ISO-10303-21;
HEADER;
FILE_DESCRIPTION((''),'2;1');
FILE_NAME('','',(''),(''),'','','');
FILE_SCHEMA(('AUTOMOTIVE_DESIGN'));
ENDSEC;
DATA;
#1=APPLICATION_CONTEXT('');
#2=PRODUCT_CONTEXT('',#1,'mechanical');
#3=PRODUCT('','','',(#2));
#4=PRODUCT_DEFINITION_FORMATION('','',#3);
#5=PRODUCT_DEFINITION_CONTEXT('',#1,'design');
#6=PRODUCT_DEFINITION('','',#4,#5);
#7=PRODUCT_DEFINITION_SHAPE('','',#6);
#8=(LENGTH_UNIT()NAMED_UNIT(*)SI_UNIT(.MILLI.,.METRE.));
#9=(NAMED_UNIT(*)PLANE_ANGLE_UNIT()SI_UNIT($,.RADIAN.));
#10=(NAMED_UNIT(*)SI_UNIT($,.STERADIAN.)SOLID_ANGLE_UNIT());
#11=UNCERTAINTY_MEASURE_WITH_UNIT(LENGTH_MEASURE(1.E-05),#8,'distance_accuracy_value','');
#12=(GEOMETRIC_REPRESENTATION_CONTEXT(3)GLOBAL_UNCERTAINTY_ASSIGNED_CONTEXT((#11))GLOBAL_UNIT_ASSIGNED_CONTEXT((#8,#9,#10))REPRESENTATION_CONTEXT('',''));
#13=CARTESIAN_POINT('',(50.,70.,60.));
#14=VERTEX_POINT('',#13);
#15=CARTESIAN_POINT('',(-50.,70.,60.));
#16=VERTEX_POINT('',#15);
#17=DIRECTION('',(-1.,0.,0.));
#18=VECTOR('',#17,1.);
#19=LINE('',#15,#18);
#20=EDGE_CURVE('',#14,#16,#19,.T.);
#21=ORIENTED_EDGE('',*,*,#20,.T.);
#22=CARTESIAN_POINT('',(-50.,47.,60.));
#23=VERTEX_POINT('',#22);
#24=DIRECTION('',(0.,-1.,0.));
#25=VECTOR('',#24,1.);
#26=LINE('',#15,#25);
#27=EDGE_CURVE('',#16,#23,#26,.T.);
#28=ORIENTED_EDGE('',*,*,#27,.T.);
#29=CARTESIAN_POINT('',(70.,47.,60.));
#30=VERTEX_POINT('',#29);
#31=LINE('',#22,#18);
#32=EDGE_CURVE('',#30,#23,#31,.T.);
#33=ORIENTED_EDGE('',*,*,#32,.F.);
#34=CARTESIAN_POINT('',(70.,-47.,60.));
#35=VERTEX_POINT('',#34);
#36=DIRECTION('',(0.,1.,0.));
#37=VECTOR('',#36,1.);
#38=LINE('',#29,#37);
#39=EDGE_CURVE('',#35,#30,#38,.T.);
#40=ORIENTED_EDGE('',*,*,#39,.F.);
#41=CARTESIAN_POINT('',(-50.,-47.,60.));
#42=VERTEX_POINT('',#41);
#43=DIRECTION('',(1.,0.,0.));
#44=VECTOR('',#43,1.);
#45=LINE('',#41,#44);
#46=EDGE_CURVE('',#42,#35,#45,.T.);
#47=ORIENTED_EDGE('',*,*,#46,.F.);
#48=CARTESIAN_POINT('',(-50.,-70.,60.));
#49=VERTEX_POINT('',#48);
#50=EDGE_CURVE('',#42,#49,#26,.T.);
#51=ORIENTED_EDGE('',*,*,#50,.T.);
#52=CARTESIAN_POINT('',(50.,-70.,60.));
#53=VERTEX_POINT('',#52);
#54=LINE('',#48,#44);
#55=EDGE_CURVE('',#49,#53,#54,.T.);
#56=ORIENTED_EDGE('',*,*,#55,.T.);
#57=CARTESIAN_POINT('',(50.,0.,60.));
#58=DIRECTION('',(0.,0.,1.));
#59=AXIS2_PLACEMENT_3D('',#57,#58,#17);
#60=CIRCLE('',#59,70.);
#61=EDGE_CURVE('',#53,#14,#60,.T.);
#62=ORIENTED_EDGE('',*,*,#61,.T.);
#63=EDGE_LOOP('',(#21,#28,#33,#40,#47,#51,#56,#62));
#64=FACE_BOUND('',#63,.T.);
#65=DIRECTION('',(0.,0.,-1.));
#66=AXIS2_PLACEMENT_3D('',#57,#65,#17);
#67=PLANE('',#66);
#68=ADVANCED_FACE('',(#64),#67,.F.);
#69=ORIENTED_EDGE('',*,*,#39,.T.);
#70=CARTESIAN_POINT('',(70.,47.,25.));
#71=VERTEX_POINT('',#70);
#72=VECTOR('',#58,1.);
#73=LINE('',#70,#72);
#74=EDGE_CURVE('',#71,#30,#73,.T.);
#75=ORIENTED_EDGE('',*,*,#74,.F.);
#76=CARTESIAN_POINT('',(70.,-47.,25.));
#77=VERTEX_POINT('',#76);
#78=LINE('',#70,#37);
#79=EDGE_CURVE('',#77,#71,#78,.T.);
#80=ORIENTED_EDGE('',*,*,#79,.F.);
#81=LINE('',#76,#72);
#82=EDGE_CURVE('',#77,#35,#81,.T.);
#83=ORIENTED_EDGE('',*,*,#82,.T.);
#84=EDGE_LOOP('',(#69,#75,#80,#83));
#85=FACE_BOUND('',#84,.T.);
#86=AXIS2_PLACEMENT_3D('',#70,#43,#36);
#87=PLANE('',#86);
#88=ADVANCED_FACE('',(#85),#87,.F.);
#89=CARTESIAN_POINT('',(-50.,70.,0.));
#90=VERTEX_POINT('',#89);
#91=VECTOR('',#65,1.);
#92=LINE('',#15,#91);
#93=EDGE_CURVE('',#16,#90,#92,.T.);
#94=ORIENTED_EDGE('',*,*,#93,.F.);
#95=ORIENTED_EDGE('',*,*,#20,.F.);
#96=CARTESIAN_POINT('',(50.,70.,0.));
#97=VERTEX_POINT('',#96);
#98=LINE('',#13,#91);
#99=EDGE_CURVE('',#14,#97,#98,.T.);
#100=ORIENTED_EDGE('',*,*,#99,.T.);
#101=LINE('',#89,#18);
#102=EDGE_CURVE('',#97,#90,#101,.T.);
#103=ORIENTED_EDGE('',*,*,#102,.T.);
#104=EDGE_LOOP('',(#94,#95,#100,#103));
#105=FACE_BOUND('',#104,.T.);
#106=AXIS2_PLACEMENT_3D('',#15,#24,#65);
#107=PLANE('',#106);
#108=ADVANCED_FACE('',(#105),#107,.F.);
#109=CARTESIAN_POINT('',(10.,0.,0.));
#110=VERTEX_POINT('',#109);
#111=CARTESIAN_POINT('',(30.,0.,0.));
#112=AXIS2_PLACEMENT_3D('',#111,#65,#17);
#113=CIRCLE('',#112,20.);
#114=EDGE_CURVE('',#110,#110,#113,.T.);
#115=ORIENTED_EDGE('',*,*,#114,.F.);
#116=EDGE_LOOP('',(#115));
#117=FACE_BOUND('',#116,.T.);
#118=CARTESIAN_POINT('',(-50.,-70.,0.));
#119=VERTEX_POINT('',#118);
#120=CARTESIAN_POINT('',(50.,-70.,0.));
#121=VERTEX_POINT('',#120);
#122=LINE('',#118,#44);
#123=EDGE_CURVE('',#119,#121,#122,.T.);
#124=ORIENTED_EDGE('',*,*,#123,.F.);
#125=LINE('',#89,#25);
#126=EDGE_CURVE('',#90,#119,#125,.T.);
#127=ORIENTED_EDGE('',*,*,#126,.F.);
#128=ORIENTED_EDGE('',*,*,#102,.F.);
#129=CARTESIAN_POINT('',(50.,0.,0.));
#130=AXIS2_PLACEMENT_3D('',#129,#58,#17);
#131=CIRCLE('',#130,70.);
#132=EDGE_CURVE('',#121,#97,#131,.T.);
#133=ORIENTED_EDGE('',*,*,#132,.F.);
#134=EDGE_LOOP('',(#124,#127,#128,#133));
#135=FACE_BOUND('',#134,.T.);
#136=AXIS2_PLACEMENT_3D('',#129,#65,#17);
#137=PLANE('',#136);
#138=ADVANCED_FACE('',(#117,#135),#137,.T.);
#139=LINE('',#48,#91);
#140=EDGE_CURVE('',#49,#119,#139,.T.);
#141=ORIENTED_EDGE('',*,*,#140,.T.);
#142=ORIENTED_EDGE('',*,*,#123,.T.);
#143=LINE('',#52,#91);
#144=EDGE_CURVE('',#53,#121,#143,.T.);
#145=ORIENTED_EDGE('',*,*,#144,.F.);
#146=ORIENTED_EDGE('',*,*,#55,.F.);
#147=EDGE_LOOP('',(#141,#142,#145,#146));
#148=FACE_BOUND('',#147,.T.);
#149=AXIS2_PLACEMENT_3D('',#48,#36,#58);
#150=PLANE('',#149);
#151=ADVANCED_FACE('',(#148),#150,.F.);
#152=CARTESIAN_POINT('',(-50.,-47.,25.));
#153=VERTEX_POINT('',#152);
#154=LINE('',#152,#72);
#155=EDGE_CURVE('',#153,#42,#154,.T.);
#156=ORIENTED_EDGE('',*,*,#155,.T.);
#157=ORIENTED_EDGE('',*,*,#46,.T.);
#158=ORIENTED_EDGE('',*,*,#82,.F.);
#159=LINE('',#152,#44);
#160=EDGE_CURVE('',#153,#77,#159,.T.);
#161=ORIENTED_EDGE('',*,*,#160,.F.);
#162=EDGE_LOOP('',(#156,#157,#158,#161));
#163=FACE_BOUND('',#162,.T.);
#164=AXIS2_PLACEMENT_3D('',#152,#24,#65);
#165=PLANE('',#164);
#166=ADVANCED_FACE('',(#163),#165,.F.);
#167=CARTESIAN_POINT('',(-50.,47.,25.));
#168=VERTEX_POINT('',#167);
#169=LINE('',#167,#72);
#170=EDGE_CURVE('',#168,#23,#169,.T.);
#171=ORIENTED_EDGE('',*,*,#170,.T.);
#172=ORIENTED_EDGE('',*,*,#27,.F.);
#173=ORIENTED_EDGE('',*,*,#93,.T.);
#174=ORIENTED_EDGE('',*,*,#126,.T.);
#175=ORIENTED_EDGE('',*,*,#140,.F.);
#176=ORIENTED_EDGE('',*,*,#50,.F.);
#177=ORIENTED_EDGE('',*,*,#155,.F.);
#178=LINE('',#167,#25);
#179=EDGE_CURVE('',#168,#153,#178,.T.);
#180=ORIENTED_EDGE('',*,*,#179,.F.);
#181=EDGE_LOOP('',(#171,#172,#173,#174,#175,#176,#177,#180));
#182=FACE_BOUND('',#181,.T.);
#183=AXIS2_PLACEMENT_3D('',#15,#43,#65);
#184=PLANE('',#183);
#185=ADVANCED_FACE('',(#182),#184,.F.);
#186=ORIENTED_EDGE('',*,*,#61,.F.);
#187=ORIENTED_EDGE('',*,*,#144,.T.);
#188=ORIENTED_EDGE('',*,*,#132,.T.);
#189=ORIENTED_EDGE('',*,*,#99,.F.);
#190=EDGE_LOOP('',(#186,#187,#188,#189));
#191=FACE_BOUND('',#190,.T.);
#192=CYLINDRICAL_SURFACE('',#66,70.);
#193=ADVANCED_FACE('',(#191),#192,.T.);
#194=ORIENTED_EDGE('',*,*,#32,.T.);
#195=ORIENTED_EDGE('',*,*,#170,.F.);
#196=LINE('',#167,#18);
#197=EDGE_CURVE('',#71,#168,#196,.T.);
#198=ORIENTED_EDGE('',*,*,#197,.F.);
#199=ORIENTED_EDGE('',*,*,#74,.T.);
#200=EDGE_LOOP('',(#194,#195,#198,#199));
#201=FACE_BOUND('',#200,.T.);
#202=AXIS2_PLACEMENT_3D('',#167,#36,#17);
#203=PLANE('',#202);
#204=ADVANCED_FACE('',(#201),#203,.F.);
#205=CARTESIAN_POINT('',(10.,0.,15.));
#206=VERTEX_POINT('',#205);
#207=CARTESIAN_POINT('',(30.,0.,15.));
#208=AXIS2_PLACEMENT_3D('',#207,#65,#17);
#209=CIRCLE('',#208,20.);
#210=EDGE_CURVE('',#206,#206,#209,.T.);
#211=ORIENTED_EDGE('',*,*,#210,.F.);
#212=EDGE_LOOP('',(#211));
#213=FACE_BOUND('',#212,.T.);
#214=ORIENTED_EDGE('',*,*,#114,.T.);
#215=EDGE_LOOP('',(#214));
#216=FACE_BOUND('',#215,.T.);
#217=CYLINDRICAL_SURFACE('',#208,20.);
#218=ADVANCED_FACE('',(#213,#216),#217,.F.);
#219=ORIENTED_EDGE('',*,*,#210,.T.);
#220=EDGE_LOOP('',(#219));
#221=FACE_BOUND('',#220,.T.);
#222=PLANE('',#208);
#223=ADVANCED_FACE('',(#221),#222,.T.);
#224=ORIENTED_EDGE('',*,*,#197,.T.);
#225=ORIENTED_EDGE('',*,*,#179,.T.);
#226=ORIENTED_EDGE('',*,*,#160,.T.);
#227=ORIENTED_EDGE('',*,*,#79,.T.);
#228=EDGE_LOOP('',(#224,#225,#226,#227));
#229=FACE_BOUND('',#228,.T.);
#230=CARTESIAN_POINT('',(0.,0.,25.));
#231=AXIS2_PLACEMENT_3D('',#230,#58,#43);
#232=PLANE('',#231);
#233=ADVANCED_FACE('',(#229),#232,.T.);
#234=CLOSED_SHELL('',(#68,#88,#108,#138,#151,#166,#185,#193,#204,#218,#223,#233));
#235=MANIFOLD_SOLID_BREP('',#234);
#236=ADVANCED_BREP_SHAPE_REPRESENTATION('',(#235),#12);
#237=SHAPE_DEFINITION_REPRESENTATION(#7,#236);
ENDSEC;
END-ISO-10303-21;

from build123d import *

# Parameters (mm, degrees)
EXTRUDE_1_DEPTH     = 60
SKETCH_2_W          = 120
SKETCH_2_H          = 94
CUT_EXTRUDE_1_DEPTH = 35
SKETCH_3_R          = 20
CUT_EXTRUDE_2_DEPTH = 15


with BuildPart() as part:
    # ｽｹｯﾁ1 → ﾎﾞｽ - 押し出し1 (new body)
    with BuildSketch(Plane.XY):
        with BuildLine():
            Line((-50, 70), (50, 70))
            ThreePointArc((50, 70), (120, 0), (50, -70))
            Line((50, -70), (-50, -70))
            Line((-50, -70), (-50, 70))
        make_face()
    extrude(amount=EXTRUDE_1_DEPTH)

    # ｽｹｯﾁ2 → ｶｯﾄ - 押し出し1 (cut)
    with BuildSketch(Plane.XY.offset(60)):
        with Locations((10, 0)):
            Rectangle(SKETCH_2_W, SKETCH_2_H)
    extrude(amount=-CUT_EXTRUDE_1_DEPTH, mode=Mode.SUBTRACT)

    # ｽｹｯﾁ3 → ｶｯﾄ - 押し出し2 (cut)
    with BuildSketch(Plane(origin=(0, 0, 0), x_dir=(-1, 0, 0), z_dir=(0, 0, -1))):
        with Locations((-30, 0)):
            Circle(SKETCH_3_R)
    extrude(amount=-CUT_EXTRUDE_2_DEPTH, mode=Mode.SUBTRACT)


solid = part.part
